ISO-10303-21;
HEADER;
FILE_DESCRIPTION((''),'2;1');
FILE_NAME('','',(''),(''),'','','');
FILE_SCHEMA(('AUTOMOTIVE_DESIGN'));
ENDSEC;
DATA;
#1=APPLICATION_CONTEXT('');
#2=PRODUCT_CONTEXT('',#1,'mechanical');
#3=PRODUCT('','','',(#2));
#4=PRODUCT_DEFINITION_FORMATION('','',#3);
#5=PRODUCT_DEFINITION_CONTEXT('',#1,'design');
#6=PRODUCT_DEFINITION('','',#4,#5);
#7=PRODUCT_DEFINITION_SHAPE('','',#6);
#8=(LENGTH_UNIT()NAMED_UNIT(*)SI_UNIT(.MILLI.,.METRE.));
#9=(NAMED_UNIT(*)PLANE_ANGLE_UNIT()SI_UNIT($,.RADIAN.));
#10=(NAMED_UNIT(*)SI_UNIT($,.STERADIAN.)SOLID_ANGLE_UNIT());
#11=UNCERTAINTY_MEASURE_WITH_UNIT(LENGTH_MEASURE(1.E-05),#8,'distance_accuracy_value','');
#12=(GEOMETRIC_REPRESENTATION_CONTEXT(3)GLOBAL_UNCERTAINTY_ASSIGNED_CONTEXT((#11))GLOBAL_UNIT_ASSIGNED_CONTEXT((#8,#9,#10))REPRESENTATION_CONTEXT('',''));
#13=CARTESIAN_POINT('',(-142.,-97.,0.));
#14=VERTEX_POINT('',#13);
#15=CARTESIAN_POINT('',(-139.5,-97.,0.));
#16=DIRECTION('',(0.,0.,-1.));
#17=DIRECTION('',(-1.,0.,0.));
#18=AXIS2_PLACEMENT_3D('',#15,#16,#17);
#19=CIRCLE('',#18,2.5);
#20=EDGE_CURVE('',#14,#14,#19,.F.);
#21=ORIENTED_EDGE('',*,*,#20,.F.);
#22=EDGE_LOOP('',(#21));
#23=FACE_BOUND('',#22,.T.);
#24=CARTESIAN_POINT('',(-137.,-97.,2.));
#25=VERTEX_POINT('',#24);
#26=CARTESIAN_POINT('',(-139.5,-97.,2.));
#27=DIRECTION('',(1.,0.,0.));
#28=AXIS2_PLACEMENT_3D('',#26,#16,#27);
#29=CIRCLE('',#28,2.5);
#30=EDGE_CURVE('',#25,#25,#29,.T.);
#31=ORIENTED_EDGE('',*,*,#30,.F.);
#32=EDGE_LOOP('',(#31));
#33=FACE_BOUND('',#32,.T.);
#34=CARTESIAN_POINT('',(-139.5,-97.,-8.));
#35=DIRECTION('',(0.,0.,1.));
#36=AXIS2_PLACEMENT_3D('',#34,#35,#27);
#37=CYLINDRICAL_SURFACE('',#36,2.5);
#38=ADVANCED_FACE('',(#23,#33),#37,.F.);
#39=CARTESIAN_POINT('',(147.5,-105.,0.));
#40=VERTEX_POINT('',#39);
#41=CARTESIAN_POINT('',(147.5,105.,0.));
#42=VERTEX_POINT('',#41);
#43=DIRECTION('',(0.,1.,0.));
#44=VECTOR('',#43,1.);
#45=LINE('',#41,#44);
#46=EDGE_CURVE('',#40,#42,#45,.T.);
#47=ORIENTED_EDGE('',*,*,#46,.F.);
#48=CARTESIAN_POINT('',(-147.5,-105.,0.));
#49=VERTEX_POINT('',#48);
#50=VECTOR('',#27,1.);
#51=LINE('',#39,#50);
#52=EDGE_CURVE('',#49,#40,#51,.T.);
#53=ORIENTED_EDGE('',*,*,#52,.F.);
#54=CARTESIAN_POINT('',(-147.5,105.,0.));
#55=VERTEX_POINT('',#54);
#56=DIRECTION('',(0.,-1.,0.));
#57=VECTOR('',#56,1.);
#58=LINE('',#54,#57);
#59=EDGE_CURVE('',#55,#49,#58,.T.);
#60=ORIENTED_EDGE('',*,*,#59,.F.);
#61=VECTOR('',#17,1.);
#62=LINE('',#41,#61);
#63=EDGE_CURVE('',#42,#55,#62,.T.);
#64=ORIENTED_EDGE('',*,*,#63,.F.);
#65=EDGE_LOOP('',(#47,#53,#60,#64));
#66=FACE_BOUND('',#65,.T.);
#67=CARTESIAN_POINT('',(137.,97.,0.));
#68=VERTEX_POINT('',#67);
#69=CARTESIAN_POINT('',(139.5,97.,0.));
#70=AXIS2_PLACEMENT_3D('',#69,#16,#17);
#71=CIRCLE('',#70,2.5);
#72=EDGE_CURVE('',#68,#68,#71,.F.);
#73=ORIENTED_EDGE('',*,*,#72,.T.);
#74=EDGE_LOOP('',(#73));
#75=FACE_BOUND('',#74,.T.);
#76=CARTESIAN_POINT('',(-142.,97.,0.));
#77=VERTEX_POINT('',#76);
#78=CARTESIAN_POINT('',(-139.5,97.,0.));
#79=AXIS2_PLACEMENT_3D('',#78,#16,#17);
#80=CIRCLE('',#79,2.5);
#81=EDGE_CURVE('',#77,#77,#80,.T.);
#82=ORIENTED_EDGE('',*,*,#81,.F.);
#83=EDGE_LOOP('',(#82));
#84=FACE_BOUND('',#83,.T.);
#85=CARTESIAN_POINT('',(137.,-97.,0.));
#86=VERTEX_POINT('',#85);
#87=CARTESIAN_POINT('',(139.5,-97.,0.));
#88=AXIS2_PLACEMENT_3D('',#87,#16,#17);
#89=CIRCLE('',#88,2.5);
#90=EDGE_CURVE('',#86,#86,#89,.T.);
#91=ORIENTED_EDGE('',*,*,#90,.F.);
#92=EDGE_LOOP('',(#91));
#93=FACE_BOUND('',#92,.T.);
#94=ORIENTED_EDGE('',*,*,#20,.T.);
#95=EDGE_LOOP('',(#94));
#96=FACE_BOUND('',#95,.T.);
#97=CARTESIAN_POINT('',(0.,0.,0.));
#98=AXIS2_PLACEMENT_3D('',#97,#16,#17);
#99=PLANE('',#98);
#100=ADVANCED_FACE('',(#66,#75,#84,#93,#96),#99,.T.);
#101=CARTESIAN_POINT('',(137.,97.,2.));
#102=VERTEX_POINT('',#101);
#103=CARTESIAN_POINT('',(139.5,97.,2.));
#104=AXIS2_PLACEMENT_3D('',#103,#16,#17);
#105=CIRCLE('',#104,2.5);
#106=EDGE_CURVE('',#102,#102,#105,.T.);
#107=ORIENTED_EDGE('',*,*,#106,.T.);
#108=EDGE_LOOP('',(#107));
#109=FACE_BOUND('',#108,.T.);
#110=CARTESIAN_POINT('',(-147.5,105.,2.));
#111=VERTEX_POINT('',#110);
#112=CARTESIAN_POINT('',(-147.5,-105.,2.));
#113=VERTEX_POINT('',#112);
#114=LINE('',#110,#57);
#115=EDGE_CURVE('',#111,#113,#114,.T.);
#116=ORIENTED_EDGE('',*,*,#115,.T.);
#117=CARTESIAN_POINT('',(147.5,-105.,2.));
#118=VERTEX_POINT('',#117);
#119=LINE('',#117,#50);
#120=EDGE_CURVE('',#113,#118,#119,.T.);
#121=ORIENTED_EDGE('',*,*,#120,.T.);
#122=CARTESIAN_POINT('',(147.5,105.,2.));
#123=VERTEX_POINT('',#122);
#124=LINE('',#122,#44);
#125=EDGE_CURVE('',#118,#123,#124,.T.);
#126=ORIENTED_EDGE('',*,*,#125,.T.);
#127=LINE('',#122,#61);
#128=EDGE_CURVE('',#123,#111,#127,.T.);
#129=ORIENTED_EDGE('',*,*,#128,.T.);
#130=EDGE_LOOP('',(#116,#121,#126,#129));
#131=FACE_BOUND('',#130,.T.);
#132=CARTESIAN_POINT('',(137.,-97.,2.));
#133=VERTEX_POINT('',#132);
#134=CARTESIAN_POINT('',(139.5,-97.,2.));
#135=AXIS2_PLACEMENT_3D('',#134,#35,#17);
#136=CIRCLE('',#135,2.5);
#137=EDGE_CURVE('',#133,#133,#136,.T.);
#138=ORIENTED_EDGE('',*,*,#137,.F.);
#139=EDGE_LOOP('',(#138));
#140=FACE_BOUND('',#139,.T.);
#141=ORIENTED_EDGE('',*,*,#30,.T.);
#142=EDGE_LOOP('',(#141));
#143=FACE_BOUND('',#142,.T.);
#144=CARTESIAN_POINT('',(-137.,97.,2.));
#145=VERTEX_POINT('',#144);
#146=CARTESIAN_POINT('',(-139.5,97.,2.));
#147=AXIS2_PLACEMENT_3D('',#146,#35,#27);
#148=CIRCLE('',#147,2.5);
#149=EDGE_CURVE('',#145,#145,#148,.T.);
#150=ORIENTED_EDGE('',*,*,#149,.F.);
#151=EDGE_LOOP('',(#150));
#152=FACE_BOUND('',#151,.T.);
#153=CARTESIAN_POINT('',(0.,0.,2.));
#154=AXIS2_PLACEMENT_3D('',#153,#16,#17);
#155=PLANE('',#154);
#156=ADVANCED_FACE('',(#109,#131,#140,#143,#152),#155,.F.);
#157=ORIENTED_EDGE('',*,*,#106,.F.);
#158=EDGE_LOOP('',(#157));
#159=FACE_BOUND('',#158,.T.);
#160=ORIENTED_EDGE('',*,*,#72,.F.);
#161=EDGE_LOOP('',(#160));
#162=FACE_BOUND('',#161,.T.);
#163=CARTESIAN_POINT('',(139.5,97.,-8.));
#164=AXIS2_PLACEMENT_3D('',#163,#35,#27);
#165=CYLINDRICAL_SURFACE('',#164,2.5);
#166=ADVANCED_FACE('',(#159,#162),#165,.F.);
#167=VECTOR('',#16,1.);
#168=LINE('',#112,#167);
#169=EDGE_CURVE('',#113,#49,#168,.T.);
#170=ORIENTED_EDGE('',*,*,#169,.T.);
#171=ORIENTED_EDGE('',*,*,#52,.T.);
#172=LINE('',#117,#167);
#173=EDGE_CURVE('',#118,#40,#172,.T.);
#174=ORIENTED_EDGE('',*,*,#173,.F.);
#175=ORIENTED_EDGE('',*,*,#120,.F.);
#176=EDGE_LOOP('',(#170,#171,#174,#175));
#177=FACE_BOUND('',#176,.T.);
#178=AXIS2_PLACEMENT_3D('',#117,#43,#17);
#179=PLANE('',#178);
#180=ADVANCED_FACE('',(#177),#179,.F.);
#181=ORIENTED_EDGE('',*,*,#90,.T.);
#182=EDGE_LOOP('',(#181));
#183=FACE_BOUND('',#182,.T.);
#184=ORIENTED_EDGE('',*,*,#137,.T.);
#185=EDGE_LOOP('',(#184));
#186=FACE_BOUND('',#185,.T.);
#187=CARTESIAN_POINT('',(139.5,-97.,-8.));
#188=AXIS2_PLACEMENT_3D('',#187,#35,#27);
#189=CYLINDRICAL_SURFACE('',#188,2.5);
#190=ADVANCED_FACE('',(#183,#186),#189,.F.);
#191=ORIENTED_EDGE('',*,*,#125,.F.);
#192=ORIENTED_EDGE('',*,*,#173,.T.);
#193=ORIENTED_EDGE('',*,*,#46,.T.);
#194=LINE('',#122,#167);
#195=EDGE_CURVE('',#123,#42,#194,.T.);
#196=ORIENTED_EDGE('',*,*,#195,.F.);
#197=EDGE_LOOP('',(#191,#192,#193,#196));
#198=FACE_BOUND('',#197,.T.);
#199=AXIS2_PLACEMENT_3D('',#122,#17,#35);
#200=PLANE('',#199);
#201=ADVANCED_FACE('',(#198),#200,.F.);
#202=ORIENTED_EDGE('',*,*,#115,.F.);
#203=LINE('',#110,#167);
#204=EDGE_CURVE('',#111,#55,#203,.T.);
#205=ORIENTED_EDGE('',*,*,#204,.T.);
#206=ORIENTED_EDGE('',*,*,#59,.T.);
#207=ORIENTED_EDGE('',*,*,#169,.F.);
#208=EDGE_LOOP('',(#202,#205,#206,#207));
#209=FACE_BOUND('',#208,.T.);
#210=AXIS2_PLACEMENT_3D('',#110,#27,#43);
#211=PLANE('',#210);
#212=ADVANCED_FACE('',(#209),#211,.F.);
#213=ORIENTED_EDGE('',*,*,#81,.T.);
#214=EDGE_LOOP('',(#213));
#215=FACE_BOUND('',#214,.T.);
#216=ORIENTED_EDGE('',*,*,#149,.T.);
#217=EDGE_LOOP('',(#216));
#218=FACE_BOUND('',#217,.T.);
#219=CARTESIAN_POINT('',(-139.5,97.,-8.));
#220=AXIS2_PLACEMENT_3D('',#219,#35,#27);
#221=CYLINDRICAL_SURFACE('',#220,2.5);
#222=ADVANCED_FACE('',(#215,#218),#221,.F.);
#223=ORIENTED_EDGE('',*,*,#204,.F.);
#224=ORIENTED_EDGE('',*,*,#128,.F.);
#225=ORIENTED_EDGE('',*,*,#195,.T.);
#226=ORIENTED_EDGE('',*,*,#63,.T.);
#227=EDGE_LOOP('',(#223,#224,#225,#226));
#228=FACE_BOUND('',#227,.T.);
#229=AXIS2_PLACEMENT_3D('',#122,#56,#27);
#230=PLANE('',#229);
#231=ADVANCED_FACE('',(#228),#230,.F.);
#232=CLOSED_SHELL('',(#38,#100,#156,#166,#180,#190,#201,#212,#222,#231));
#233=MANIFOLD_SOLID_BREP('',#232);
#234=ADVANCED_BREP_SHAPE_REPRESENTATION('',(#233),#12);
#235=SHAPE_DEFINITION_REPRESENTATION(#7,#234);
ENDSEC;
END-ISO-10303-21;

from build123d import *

# Parameters (mm, degrees)
SKETCH2_W               = 295
SKETCH2_H               = 210
BOSS_EXTRUDE1_DEPTH     = 2
SKETCH3_R               = 2.5
CUT_EXTRUDE1_DEPTH      = 10
MIRROR2_COPY_1_SKETCH_R = 2.5
MIRROR2_COPY_1_DEPTH    = 10


with BuildPart() as part:
    # Sketch2 → Boss-Extrude1 (new body)
    with BuildSketch(Plane.XY):
        Rectangle(SKETCH2_W, SKETCH2_H)
    extrude(amount=BOSS_EXTRUDE1_DEPTH)

    # Sketch3 → Cut-Extrude1 (cut)
    with BuildSketch(Plane.XY.offset(2)):
        with Locations((-139.5, 97)):
            Circle(SKETCH3_R)
    cut_extrude1 = extrude(amount=-CUT_EXTRUDE1_DEPTH, mode=Mode.SUBTRACT)

    # Mirror1: Cut-Extrude1 across plane
    add(cut_extrude1.mirror(Plane(origin=(0, 0, 0), x_dir=(0, 0, 1), z_dir=(1, 0, 0))), mode=Mode.SUBTRACT)

    # Mirror2: Cut-Extrude1 across plane
    add(cut_extrude1.mirror(Plane.ZX), mode=Mode.SUBTRACT)

    # Mirror2 copy 1 sketch → Mirror2 copy 1 (cut)
    with BuildSketch(Plane(origin=(0, 0, 2), x_dir=(-1, 0, 0), z_dir=(0, 0, 1))):
        with Locations((-139.5, 97)):
            Circle(MIRROR2_COPY_1_SKETCH_R)
    extrude(amount=-MIRROR2_COPY_1_DEPTH, mode=Mode.SUBTRACT)


solid = part.part
